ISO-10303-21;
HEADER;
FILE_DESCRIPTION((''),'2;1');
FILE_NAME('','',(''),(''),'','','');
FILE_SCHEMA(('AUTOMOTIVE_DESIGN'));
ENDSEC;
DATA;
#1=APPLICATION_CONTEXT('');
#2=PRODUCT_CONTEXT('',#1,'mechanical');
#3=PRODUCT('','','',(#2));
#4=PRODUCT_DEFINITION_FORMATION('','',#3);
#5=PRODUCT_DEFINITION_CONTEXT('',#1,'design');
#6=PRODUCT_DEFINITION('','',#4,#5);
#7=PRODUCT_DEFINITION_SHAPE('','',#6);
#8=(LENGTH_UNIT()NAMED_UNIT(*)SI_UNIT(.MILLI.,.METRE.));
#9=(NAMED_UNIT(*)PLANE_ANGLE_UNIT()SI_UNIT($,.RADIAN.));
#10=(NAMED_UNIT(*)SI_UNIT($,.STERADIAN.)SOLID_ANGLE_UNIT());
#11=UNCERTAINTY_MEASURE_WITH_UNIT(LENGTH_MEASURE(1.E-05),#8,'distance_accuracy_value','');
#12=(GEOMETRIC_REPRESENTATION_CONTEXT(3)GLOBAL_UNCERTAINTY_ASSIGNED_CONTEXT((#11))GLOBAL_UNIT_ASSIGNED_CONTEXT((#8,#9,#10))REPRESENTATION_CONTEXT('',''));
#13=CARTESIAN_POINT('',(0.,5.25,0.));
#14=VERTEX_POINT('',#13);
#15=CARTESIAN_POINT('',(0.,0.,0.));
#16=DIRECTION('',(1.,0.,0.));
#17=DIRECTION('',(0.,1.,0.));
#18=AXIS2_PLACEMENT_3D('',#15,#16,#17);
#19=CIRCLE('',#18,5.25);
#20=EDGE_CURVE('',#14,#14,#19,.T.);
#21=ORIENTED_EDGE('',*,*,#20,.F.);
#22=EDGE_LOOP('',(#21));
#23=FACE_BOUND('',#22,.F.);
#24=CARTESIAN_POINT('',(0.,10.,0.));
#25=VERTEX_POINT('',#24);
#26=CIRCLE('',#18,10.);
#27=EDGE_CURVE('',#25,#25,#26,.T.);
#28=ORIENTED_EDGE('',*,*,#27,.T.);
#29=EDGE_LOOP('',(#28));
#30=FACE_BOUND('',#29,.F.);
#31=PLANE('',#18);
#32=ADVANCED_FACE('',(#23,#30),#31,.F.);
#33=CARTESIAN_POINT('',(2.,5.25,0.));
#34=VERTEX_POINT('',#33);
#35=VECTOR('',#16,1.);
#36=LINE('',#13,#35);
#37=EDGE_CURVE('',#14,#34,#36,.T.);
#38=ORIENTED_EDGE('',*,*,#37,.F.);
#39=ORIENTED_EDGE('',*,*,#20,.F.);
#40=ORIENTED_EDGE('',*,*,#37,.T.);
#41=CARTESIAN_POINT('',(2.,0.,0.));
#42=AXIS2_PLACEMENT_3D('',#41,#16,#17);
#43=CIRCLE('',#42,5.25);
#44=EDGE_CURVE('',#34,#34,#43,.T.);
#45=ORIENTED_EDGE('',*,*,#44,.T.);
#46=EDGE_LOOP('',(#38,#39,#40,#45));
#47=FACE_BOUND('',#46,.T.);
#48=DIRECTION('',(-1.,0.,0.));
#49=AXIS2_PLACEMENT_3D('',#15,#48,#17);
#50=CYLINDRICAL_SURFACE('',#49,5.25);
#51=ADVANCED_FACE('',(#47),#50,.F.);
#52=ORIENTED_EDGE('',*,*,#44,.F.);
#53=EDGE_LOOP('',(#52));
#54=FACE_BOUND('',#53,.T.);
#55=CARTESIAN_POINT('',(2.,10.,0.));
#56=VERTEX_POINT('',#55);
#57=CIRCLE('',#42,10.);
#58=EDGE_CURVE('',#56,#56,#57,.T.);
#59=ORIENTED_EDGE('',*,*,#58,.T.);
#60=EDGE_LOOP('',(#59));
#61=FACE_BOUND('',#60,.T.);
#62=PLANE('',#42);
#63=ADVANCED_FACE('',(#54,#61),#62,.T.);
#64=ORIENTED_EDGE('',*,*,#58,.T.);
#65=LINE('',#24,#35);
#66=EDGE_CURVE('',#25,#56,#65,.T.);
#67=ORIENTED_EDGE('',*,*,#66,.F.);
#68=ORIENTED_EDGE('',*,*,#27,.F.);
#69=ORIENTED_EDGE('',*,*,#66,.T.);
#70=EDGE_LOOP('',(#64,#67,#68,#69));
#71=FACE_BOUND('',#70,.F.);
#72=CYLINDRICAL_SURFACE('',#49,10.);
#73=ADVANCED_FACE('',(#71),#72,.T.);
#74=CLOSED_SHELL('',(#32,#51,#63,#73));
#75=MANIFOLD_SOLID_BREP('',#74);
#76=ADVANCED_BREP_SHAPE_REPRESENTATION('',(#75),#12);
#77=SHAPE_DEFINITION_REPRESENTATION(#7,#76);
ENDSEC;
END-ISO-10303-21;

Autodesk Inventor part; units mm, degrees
ref_plane "YZ Plane" through (0, 0, 0) normal (1, 0, 0) x (0, 1, 0)
ref_plane "XZ Plane" through (0, 0, 0) normal (0, 1, 0) x (-1, 0, 0)
sketch "Sketch" plane through (0, 0, 0) normal (1, 0, 0) x (0, 1, 0)
  circle A0 centre (0, 0) radius 10
  circle A1 centre (0, 0) radius 5.25
  dimension "d0" = 10.5
  dimension "d1" = 20
extrude "Body" add sketch "Sketch" along normal blind 2
ref_plane "Work Plane1" through (0, 0, 0) normal (0, 0, 1) x (1, 0, 0)
equation "\"d0\" = SD1"
equation "\"d1\" = SD2"
equation "\"d2\" = SD"
equation "\"SD1\" = 10.5"
equation "\"SD2\" = 20"
equation "\"SD\" = 2"
properties part number "DIN 125 - A 10.5" material "Steel, Mild"
